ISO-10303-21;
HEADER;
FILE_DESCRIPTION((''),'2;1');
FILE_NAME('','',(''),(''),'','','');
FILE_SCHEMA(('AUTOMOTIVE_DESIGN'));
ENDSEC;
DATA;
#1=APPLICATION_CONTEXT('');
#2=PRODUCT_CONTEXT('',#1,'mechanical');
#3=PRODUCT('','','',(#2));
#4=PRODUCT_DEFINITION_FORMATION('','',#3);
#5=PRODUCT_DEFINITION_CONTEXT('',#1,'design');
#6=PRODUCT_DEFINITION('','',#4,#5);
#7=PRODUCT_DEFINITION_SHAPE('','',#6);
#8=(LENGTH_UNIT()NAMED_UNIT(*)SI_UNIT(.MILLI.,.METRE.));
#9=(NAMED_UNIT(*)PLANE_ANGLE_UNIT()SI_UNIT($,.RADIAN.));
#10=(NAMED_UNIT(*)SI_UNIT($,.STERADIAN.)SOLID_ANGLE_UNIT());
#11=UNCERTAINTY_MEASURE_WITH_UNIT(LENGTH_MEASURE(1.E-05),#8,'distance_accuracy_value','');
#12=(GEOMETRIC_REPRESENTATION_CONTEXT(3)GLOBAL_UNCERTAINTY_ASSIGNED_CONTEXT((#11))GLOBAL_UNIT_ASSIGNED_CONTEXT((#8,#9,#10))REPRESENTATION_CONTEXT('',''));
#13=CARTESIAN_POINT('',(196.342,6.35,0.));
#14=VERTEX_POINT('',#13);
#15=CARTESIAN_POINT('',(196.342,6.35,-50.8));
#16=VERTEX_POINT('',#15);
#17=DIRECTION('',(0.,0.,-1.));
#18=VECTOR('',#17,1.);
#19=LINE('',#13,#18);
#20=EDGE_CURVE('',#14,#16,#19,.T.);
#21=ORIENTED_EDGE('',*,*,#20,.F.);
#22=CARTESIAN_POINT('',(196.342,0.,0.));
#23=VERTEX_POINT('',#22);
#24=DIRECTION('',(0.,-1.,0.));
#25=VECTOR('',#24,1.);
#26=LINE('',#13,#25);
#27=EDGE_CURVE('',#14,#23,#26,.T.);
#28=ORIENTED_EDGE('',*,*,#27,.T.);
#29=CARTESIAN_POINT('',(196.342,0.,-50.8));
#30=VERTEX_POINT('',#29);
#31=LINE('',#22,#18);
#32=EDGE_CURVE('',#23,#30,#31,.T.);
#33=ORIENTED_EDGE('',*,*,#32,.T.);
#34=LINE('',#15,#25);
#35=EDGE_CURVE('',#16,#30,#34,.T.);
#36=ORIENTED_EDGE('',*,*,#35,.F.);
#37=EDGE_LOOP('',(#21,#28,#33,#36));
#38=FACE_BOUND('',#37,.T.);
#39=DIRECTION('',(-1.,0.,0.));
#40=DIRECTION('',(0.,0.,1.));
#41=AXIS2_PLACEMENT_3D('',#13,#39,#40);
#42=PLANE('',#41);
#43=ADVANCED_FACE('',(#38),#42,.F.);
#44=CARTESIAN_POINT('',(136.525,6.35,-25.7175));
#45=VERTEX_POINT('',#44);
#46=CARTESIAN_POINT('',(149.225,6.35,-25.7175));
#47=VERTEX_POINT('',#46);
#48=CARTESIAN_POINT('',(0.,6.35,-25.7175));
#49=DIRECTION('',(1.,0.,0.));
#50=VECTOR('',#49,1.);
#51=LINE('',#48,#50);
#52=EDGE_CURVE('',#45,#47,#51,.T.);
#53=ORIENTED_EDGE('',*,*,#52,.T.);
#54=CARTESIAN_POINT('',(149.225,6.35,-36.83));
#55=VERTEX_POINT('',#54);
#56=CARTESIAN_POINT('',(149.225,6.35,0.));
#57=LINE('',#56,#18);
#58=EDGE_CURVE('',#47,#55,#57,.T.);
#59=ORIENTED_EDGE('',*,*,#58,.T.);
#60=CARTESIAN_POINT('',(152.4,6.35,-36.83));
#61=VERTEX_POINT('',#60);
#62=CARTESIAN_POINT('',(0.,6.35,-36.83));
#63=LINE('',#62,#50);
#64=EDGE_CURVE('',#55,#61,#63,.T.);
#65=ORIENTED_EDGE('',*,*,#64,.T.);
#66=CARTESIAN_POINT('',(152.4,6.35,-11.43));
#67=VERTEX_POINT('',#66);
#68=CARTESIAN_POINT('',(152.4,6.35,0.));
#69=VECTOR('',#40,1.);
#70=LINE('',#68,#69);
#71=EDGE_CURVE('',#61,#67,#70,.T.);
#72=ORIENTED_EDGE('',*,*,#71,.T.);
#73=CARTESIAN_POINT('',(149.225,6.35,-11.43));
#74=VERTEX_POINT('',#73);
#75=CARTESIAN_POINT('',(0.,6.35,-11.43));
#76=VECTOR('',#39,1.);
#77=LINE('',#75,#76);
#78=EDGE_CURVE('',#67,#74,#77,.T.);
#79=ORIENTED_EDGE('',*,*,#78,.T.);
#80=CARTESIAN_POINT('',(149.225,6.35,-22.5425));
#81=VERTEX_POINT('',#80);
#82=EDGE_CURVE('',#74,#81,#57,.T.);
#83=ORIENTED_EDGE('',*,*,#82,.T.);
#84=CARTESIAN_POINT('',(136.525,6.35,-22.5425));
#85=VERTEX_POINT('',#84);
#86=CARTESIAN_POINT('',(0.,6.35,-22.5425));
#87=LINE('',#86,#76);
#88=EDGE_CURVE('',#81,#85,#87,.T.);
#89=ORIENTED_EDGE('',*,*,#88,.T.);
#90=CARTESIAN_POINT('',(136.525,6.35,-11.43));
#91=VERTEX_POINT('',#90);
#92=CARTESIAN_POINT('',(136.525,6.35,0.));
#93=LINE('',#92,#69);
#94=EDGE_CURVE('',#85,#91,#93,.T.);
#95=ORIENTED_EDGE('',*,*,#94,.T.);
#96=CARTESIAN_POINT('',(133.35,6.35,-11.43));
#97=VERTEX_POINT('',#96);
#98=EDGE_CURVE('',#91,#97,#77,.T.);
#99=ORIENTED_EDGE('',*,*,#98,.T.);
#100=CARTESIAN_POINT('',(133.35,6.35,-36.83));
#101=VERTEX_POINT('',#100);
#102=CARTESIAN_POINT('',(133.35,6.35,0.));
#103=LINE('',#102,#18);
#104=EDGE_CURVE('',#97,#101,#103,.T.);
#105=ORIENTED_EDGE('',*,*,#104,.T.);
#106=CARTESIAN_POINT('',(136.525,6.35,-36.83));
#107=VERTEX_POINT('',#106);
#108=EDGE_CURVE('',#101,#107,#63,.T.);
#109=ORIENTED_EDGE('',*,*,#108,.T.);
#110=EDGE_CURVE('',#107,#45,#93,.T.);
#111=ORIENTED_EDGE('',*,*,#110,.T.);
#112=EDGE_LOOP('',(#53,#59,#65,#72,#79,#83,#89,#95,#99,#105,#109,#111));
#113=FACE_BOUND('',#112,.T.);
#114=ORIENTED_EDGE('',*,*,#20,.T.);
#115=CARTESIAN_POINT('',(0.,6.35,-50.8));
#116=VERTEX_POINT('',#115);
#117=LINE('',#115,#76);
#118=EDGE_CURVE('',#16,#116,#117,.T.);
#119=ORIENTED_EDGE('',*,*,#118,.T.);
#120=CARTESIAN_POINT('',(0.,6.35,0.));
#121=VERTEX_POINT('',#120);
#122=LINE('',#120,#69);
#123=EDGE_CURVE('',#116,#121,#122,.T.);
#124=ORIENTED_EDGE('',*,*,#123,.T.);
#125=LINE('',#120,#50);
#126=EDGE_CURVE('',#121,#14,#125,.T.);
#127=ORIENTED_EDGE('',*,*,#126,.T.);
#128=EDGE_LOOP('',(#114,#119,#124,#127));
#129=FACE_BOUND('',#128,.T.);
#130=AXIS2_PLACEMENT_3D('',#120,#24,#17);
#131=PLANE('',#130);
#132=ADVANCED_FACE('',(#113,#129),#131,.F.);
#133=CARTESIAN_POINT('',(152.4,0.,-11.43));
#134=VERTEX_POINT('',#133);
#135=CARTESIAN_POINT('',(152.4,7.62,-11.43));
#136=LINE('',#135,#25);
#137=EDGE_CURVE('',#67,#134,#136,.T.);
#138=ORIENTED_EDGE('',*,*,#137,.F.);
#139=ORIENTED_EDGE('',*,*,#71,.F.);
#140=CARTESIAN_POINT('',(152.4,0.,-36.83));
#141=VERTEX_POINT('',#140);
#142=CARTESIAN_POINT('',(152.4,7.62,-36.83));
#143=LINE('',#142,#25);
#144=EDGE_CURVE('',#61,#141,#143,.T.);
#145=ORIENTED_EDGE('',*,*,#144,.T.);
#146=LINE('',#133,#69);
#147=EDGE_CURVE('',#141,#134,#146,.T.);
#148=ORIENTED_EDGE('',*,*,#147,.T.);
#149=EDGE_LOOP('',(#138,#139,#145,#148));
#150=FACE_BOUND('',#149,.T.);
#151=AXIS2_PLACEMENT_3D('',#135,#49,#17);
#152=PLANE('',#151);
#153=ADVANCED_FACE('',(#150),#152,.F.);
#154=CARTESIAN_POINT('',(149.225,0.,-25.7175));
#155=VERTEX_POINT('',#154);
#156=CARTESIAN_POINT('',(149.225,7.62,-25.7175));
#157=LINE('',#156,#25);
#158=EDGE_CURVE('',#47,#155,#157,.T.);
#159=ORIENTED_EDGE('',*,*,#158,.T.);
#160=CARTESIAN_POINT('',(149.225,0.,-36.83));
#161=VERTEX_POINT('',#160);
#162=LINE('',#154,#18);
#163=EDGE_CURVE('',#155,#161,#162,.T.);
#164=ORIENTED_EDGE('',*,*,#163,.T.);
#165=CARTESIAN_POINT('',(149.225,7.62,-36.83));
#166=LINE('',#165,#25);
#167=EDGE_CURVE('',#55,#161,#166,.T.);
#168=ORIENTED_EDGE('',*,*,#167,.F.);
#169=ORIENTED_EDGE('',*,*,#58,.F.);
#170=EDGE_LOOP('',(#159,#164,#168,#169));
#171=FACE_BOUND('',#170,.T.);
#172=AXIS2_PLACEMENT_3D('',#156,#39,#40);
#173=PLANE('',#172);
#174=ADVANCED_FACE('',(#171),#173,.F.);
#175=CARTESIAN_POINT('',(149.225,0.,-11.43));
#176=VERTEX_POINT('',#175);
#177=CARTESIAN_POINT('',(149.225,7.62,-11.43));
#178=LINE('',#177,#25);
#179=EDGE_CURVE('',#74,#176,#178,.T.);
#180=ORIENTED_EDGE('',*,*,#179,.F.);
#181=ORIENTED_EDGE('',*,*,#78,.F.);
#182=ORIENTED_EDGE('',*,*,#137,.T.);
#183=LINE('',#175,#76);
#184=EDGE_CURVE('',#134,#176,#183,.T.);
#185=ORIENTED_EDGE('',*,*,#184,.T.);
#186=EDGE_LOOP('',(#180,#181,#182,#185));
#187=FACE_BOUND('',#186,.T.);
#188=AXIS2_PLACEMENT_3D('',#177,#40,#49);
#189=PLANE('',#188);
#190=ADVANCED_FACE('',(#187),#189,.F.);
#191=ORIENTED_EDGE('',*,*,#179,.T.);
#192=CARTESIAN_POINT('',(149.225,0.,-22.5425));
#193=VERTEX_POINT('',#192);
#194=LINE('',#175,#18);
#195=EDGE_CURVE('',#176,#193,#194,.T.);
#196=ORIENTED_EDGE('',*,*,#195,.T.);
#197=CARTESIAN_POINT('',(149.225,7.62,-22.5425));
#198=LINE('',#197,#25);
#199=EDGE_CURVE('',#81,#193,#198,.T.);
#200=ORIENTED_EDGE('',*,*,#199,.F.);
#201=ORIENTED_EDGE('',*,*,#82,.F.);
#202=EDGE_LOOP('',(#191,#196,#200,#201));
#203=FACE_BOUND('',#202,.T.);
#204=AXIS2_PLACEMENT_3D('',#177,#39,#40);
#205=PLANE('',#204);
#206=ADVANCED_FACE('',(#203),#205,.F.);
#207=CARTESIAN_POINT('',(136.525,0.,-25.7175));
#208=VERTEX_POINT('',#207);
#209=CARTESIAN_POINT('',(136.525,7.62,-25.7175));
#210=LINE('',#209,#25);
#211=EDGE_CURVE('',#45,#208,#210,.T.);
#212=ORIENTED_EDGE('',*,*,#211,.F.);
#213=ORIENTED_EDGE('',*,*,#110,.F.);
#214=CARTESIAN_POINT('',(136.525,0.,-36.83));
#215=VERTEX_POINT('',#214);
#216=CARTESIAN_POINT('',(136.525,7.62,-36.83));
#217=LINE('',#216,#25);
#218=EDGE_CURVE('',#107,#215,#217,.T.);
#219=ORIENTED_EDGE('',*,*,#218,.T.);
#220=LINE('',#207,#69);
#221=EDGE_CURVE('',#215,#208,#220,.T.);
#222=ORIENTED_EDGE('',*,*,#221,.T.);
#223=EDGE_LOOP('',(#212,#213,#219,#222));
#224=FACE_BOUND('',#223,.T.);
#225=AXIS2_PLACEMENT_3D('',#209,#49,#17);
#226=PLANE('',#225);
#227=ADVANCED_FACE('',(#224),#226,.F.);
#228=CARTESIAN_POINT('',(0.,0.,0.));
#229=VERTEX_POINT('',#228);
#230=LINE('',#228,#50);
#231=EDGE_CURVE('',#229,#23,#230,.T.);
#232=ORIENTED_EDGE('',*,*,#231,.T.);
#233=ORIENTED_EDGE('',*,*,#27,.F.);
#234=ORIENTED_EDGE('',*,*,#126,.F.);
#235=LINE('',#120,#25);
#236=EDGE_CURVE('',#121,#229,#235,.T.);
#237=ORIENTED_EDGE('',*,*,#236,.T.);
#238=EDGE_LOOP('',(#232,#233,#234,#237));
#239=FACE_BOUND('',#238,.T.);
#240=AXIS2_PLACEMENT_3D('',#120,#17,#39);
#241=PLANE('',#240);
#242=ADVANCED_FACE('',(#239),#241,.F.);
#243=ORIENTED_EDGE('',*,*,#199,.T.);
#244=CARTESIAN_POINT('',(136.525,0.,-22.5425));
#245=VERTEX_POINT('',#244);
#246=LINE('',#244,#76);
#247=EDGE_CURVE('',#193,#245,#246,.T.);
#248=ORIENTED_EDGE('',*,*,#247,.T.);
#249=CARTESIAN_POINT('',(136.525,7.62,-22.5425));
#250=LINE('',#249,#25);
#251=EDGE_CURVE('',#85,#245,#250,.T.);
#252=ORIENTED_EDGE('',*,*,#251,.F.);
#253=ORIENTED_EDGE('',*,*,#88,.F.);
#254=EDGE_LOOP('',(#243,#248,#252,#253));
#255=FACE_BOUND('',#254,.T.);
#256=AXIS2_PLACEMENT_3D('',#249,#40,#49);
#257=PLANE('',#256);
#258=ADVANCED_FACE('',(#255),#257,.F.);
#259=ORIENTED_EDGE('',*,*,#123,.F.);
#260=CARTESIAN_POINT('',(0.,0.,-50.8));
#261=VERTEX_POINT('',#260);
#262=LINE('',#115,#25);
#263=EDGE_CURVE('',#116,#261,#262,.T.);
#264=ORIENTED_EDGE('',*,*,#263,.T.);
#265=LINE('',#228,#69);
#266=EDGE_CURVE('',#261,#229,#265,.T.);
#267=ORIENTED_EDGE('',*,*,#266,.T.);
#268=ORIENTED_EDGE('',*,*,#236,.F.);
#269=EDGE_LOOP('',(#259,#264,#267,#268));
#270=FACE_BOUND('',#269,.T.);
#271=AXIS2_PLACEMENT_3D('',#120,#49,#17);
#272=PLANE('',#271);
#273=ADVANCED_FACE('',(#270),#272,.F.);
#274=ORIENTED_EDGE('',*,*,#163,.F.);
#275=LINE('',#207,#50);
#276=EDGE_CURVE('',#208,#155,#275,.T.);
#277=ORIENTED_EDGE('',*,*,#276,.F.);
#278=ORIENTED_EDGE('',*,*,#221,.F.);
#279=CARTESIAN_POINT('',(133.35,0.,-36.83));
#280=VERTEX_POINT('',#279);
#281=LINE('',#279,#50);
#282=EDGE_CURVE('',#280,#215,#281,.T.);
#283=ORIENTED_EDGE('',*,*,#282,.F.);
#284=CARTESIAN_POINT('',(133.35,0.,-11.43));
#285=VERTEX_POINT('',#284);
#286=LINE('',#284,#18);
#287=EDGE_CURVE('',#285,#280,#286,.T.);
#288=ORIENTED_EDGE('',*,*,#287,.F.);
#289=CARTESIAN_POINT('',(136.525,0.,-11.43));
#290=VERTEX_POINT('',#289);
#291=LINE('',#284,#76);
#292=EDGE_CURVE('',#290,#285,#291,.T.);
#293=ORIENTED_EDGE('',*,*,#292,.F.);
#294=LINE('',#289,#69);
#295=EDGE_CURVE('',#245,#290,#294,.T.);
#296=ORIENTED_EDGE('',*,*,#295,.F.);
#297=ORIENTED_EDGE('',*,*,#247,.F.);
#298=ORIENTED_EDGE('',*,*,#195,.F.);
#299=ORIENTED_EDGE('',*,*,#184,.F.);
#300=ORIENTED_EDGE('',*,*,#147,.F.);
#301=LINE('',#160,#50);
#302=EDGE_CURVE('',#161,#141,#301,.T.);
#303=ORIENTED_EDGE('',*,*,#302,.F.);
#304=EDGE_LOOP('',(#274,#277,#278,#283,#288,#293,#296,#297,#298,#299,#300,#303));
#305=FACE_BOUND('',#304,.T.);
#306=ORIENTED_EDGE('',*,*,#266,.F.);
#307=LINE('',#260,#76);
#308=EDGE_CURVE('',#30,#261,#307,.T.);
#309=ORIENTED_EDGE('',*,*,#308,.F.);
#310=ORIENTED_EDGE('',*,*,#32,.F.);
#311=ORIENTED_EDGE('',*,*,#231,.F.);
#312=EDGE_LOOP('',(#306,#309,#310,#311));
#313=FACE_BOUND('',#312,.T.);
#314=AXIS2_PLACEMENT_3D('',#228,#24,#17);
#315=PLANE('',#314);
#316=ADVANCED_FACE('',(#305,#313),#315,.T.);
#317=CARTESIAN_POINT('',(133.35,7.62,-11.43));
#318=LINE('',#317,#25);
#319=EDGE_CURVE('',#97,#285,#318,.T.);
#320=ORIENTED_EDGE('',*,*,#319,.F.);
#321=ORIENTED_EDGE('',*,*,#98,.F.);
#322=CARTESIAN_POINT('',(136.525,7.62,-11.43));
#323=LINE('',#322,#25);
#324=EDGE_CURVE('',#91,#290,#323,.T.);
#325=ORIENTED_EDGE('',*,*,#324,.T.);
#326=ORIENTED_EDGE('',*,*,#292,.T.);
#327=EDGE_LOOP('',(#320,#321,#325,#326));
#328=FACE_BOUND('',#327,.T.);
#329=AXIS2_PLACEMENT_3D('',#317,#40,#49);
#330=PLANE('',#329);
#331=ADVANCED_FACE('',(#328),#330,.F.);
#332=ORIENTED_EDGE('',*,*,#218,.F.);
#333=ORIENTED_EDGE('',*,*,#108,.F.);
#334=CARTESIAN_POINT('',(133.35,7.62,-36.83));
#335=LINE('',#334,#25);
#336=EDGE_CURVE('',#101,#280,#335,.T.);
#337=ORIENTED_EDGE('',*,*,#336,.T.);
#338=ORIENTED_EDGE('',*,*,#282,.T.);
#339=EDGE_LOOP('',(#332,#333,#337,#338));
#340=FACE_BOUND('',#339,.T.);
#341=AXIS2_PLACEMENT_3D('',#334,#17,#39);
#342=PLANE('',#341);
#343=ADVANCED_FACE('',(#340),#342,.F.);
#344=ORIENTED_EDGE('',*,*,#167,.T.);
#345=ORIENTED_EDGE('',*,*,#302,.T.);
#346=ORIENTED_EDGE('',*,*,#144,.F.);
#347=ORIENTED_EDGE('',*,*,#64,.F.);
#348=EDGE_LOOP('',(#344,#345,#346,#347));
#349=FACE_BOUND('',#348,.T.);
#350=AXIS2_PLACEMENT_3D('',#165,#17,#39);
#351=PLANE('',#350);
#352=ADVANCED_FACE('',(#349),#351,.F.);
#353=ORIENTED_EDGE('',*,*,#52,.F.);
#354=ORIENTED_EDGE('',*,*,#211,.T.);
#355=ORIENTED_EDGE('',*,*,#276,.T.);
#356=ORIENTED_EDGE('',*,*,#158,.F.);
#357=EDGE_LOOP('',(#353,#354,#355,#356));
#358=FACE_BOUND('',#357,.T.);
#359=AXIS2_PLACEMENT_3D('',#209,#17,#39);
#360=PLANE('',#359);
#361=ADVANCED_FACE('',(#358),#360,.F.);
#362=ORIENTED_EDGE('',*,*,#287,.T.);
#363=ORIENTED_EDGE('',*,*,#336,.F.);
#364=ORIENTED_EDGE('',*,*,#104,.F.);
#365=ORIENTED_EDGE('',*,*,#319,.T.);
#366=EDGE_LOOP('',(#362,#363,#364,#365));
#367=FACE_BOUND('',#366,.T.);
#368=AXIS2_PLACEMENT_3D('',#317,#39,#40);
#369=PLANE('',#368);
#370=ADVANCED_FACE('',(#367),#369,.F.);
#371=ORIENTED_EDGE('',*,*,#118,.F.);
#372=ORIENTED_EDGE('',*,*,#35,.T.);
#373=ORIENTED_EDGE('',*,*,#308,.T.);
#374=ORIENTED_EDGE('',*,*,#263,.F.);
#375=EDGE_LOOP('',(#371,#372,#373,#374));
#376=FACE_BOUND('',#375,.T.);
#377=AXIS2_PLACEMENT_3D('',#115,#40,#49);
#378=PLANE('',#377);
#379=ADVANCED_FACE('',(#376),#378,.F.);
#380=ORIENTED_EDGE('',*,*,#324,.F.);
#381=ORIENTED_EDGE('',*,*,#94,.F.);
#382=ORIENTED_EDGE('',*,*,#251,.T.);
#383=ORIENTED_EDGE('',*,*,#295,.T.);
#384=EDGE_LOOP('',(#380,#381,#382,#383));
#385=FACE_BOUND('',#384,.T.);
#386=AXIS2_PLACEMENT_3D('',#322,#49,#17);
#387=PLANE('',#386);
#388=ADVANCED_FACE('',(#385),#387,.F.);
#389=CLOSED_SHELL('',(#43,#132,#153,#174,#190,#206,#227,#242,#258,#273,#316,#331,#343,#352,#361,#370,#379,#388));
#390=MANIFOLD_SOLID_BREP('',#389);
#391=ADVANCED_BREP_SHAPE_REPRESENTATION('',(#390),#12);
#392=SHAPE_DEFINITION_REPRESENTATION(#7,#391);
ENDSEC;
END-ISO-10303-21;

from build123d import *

# Parameters (mm, degrees)
SKETCH1_W           = 196.342
SKETCH1_H           = 50.8
BOSS_EXTRUDE1_DEPTH = 6.35
CUT_EXTRUDE1_DEPTH  = 7.62


with BuildPart() as part:
    # Sketch1 → Boss-Extrude1 (new body)
    with BuildSketch(Plane(origin=(0, 0, 0), x_dir=(1, 0, 0), z_dir=(0, 1, 0))):
        with Locations((98.171, 25.4)):
            Rectangle(SKETCH1_W, SKETCH1_H)
    extrude(amount=BOSS_EXTRUDE1_DEPTH)

    # Sketch2 → Cut-Extrude1 (cut)
    with BuildSketch(Plane.XZ):
        Polygon((136.525, -25.7175), (136.525, -36.83), (133.35, -36.83), (133.35, -11.43), (136.525, -11.43), (136.525, -22.5425), (149.225, -22.5425), (149.225, -11.43), (152.4, -11.43), (152.4, -36.83), (149.225, -36.83), (149.225, -25.7175), align=None)
    extrude(amount=-CUT_EXTRUDE1_DEPTH, mode=Mode.SUBTRACT)


solid = part.part
